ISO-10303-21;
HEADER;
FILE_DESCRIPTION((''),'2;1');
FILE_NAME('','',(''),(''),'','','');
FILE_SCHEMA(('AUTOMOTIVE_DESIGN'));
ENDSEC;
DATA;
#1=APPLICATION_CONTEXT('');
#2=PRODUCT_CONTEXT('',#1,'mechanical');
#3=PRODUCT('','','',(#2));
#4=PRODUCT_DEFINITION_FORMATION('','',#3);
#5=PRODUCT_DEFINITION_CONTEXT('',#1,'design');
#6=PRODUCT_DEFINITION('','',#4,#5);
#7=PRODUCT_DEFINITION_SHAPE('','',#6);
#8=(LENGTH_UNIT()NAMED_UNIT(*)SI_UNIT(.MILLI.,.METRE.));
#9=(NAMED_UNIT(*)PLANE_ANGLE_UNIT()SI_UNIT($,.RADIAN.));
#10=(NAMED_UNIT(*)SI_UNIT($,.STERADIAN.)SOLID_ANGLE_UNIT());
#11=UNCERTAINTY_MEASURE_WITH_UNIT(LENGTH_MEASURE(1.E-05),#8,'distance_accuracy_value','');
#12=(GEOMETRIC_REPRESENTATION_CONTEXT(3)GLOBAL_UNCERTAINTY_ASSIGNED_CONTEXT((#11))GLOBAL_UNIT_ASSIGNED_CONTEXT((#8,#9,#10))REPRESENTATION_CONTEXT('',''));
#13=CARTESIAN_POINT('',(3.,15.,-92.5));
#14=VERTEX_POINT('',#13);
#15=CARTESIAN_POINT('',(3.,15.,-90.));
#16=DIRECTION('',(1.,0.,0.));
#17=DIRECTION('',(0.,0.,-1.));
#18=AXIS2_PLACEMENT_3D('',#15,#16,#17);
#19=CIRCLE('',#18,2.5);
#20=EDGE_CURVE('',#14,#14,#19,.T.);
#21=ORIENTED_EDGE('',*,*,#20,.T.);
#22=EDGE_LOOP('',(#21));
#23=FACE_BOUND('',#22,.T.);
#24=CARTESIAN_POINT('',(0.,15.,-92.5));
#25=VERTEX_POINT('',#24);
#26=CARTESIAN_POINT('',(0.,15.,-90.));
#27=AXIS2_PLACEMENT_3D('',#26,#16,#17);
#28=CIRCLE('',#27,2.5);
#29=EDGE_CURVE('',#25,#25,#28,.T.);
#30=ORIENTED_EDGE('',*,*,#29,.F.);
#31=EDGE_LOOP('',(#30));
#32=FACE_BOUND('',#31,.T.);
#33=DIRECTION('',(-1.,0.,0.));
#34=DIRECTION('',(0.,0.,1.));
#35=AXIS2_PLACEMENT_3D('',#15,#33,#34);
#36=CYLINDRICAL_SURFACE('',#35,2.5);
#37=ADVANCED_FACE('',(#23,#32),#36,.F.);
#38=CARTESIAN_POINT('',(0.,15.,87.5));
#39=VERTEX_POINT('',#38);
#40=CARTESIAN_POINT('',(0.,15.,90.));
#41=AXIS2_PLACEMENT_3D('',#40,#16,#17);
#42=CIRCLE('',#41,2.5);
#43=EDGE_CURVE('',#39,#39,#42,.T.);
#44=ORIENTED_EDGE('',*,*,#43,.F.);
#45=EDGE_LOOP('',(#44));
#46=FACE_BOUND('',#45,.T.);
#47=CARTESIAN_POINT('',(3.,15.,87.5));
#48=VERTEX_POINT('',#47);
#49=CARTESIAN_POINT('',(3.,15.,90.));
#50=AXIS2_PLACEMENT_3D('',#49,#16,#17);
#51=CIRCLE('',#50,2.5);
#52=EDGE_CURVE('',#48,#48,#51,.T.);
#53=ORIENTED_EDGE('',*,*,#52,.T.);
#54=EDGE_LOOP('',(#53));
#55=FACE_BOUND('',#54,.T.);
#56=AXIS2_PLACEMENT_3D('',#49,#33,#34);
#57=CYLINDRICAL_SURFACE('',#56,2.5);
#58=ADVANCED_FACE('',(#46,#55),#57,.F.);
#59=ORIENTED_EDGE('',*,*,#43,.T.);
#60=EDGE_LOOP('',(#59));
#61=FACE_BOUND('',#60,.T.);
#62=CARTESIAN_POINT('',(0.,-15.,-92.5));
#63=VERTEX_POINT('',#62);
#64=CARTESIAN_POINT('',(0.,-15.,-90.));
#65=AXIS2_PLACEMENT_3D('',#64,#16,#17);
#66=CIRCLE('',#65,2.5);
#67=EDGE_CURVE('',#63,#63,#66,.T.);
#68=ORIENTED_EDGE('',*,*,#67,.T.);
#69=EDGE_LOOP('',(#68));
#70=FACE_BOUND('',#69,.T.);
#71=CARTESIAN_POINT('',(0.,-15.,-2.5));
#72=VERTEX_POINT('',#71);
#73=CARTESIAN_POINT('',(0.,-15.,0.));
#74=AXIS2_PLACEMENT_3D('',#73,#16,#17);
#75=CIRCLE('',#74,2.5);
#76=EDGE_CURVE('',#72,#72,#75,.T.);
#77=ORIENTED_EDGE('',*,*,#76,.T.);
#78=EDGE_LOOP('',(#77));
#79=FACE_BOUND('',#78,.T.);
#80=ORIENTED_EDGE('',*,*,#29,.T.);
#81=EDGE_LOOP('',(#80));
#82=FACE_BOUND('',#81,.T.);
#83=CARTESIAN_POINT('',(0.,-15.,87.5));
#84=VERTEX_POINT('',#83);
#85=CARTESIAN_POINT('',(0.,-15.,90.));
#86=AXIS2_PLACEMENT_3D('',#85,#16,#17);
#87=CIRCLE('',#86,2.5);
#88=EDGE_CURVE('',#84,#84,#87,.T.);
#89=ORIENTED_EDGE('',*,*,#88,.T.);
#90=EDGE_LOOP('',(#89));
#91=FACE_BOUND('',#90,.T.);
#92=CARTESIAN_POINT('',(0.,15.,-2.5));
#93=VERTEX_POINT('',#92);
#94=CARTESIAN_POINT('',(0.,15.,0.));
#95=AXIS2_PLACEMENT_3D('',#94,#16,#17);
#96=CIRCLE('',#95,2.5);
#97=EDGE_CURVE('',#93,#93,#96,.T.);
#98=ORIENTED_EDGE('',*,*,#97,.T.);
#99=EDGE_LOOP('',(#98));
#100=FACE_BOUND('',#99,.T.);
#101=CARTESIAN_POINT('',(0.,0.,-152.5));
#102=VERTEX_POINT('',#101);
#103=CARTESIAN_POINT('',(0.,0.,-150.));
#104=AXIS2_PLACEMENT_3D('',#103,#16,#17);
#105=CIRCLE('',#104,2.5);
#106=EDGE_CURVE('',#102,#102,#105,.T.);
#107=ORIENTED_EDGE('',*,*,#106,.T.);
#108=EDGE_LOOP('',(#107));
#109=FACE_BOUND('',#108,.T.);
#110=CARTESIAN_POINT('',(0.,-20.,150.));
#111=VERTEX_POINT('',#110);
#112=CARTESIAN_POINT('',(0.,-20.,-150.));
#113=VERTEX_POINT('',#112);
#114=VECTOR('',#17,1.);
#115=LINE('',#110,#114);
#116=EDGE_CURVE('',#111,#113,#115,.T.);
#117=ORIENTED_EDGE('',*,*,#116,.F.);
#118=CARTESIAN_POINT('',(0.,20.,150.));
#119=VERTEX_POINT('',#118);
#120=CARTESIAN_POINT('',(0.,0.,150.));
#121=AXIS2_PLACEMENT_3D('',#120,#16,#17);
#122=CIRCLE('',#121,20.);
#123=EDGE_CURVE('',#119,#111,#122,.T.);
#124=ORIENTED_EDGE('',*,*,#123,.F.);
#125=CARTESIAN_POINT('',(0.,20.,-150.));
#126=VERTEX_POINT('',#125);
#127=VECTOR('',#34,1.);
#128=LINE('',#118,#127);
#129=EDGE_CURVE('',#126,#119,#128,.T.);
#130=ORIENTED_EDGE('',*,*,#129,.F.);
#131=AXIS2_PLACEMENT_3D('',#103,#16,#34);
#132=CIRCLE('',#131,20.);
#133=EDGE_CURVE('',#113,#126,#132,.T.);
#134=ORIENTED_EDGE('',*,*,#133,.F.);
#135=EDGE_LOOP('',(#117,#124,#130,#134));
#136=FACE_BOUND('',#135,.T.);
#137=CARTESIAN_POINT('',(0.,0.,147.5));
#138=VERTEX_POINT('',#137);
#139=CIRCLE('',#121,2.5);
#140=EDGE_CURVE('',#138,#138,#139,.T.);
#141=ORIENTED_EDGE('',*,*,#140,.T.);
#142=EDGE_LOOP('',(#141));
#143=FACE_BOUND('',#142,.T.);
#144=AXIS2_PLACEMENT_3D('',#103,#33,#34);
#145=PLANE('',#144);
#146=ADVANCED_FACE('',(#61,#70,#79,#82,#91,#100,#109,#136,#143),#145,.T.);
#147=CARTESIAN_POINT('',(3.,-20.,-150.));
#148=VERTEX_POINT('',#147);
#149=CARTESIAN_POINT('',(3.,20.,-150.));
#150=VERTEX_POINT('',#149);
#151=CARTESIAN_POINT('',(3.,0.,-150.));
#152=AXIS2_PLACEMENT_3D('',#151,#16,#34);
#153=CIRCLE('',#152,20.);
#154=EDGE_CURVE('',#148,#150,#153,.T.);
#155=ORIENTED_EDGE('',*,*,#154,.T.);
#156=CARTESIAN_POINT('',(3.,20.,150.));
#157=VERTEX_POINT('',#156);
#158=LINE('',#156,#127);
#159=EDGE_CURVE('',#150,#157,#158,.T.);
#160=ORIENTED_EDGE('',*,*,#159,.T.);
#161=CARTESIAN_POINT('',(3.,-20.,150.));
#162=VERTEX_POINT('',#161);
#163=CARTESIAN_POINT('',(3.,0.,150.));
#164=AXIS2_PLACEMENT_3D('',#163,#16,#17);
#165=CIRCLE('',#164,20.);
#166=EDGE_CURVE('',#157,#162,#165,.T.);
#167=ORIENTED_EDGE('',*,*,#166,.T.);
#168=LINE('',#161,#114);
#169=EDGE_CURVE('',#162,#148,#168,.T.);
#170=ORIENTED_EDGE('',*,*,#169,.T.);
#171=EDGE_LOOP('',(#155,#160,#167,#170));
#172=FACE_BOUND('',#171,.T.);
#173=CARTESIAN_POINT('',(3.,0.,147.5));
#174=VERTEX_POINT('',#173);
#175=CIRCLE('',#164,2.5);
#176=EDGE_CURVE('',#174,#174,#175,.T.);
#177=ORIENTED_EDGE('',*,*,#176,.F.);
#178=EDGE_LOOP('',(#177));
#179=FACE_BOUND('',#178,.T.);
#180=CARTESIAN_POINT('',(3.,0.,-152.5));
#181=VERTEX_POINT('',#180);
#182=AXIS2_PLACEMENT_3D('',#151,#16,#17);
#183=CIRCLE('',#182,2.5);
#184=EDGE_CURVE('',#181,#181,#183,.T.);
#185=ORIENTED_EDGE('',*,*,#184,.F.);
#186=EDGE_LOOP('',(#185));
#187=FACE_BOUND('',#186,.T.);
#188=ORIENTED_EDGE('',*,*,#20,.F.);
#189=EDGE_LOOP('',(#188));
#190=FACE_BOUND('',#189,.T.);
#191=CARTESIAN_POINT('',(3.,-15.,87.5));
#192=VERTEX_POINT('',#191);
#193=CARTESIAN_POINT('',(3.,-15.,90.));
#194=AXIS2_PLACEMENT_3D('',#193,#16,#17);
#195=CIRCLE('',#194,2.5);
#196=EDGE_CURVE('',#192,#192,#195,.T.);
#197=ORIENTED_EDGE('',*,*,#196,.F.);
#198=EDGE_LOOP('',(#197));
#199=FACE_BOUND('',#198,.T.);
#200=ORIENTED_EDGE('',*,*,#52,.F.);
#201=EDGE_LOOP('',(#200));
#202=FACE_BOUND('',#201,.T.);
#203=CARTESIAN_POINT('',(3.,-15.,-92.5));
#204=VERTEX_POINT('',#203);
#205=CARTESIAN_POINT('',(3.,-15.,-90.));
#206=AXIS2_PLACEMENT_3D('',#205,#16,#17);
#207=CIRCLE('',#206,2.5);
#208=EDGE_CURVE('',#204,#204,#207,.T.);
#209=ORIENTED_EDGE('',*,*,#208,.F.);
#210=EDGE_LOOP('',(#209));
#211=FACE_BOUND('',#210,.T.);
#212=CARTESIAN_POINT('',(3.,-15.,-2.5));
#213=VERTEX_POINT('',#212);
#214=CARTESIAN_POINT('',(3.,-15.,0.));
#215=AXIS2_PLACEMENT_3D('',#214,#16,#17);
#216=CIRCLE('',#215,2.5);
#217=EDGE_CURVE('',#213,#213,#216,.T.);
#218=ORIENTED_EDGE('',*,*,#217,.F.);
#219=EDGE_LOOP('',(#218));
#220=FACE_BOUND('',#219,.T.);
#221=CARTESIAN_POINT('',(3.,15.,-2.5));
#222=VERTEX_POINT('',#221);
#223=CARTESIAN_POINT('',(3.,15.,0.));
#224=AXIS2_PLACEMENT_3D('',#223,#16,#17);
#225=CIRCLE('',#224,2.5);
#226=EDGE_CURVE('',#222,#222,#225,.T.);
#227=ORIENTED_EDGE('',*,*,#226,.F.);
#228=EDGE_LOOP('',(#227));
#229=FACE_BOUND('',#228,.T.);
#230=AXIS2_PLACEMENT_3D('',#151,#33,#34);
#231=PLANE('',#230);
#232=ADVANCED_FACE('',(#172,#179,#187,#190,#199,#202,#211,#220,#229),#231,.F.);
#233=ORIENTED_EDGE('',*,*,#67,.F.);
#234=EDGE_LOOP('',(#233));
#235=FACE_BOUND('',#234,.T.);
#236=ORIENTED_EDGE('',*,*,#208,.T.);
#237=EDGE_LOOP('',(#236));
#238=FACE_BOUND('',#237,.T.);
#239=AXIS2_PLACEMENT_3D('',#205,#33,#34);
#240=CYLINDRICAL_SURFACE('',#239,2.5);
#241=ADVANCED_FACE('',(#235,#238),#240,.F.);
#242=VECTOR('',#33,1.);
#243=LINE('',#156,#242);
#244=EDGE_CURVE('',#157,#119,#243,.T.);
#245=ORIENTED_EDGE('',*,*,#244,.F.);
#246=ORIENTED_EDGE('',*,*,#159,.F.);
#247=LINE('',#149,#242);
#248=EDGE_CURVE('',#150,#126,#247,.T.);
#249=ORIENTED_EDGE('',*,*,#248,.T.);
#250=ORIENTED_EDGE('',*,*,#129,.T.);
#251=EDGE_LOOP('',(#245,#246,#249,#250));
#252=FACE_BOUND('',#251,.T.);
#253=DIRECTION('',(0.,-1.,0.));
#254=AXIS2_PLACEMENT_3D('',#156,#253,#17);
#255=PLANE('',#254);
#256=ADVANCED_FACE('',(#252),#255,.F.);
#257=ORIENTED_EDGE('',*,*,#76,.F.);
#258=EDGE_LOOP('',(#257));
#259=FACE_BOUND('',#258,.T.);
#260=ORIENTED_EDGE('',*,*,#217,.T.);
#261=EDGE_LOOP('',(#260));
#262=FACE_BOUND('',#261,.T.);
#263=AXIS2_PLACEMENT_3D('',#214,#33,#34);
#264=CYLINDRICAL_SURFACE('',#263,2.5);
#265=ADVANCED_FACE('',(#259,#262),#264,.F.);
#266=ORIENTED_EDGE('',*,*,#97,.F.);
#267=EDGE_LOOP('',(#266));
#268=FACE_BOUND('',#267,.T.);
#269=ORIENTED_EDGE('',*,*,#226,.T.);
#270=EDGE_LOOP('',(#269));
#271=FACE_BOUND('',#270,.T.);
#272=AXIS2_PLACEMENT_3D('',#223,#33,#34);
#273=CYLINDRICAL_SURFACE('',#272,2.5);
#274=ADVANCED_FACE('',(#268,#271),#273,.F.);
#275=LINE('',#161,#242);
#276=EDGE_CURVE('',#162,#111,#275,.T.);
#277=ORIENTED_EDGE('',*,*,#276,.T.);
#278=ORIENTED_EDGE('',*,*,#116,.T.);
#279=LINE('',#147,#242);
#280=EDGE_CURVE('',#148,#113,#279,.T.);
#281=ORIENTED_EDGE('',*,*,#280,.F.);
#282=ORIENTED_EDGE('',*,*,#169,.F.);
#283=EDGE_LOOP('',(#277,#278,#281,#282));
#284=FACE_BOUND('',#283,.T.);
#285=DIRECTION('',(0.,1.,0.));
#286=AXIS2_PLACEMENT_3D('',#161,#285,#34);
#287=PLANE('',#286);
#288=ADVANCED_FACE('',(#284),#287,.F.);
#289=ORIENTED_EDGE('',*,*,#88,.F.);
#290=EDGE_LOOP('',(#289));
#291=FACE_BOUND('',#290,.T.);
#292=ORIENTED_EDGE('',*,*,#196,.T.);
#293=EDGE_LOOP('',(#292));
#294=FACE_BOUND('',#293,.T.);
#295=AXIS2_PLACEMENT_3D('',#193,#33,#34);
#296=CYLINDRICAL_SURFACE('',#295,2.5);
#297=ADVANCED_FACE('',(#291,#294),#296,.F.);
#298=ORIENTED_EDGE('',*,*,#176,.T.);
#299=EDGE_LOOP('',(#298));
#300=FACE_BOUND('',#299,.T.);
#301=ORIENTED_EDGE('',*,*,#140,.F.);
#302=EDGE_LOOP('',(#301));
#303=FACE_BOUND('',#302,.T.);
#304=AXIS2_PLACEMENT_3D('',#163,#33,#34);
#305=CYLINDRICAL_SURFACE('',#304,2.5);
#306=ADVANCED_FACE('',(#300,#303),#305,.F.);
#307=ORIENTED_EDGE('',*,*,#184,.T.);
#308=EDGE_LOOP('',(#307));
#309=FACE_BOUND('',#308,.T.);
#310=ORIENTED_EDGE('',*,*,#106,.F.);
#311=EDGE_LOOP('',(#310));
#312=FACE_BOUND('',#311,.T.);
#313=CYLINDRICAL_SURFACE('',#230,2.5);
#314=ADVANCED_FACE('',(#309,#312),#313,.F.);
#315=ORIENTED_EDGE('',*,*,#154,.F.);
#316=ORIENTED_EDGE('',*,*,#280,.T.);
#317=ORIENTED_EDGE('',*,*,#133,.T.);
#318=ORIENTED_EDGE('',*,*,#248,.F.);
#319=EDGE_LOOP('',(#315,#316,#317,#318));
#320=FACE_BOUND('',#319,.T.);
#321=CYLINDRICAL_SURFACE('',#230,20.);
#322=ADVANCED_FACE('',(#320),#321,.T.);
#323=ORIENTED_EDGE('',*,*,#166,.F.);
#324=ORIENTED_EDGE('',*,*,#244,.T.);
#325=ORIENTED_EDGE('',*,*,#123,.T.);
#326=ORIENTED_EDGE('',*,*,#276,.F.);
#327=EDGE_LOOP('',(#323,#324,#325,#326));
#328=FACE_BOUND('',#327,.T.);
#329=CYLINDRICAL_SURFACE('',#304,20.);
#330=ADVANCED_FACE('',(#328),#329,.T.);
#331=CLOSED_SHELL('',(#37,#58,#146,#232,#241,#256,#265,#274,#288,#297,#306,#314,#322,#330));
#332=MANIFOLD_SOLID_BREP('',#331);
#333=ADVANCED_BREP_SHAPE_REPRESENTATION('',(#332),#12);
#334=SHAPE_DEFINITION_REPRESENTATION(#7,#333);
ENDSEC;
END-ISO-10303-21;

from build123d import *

# Parameters (mm, degrees)
SKETCH1_R           = 2.5
BOSS_EXTRUDE1_DEPTH = 3


with BuildPart() as part:
    # Sketch1 → Boss-Extrude1 (new body)
    with BuildSketch(Plane(origin=(0, 0, 0), x_dir=(0, 0, -1), z_dir=(1, 0, 0))):
        with BuildLine():
            Line((-150, -20), (150, -20))
            ThreePointArc((150, -20), (170, 0), (150, 20))
            Line((150, 20), (-150, 20))
            ThreePointArc((-150, 20), (-170, 0), (-150, -20))
        make_face()
        with Locations((150, 0)):
            Circle(SKETCH1_R, mode=Mode.SUBTRACT)
        with Locations((-150, 0)):
            Circle(SKETCH1_R, mode=Mode.SUBTRACT)
        with Locations((90, 15)):
            Circle(SKETCH1_R, mode=Mode.SUBTRACT)
        with Locations((90, -15)):
            Circle(SKETCH1_R, mode=Mode.SUBTRACT)
        with Locations((-90, 15)):
            Circle(SKETCH1_R, mode=Mode.SUBTRACT)
        with Locations((-90, -15)):
            Circle(SKETCH1_R, mode=Mode.SUBTRACT)
        with Locations((0, 15)):
            Circle(SKETCH1_R, mode=Mode.SUBTRACT)
        with Locations((0, -15)):
            Circle(SKETCH1_R, mode=Mode.SUBTRACT)
    extrude(amount=BOSS_EXTRUDE1_DEPTH)


solid = part.part
